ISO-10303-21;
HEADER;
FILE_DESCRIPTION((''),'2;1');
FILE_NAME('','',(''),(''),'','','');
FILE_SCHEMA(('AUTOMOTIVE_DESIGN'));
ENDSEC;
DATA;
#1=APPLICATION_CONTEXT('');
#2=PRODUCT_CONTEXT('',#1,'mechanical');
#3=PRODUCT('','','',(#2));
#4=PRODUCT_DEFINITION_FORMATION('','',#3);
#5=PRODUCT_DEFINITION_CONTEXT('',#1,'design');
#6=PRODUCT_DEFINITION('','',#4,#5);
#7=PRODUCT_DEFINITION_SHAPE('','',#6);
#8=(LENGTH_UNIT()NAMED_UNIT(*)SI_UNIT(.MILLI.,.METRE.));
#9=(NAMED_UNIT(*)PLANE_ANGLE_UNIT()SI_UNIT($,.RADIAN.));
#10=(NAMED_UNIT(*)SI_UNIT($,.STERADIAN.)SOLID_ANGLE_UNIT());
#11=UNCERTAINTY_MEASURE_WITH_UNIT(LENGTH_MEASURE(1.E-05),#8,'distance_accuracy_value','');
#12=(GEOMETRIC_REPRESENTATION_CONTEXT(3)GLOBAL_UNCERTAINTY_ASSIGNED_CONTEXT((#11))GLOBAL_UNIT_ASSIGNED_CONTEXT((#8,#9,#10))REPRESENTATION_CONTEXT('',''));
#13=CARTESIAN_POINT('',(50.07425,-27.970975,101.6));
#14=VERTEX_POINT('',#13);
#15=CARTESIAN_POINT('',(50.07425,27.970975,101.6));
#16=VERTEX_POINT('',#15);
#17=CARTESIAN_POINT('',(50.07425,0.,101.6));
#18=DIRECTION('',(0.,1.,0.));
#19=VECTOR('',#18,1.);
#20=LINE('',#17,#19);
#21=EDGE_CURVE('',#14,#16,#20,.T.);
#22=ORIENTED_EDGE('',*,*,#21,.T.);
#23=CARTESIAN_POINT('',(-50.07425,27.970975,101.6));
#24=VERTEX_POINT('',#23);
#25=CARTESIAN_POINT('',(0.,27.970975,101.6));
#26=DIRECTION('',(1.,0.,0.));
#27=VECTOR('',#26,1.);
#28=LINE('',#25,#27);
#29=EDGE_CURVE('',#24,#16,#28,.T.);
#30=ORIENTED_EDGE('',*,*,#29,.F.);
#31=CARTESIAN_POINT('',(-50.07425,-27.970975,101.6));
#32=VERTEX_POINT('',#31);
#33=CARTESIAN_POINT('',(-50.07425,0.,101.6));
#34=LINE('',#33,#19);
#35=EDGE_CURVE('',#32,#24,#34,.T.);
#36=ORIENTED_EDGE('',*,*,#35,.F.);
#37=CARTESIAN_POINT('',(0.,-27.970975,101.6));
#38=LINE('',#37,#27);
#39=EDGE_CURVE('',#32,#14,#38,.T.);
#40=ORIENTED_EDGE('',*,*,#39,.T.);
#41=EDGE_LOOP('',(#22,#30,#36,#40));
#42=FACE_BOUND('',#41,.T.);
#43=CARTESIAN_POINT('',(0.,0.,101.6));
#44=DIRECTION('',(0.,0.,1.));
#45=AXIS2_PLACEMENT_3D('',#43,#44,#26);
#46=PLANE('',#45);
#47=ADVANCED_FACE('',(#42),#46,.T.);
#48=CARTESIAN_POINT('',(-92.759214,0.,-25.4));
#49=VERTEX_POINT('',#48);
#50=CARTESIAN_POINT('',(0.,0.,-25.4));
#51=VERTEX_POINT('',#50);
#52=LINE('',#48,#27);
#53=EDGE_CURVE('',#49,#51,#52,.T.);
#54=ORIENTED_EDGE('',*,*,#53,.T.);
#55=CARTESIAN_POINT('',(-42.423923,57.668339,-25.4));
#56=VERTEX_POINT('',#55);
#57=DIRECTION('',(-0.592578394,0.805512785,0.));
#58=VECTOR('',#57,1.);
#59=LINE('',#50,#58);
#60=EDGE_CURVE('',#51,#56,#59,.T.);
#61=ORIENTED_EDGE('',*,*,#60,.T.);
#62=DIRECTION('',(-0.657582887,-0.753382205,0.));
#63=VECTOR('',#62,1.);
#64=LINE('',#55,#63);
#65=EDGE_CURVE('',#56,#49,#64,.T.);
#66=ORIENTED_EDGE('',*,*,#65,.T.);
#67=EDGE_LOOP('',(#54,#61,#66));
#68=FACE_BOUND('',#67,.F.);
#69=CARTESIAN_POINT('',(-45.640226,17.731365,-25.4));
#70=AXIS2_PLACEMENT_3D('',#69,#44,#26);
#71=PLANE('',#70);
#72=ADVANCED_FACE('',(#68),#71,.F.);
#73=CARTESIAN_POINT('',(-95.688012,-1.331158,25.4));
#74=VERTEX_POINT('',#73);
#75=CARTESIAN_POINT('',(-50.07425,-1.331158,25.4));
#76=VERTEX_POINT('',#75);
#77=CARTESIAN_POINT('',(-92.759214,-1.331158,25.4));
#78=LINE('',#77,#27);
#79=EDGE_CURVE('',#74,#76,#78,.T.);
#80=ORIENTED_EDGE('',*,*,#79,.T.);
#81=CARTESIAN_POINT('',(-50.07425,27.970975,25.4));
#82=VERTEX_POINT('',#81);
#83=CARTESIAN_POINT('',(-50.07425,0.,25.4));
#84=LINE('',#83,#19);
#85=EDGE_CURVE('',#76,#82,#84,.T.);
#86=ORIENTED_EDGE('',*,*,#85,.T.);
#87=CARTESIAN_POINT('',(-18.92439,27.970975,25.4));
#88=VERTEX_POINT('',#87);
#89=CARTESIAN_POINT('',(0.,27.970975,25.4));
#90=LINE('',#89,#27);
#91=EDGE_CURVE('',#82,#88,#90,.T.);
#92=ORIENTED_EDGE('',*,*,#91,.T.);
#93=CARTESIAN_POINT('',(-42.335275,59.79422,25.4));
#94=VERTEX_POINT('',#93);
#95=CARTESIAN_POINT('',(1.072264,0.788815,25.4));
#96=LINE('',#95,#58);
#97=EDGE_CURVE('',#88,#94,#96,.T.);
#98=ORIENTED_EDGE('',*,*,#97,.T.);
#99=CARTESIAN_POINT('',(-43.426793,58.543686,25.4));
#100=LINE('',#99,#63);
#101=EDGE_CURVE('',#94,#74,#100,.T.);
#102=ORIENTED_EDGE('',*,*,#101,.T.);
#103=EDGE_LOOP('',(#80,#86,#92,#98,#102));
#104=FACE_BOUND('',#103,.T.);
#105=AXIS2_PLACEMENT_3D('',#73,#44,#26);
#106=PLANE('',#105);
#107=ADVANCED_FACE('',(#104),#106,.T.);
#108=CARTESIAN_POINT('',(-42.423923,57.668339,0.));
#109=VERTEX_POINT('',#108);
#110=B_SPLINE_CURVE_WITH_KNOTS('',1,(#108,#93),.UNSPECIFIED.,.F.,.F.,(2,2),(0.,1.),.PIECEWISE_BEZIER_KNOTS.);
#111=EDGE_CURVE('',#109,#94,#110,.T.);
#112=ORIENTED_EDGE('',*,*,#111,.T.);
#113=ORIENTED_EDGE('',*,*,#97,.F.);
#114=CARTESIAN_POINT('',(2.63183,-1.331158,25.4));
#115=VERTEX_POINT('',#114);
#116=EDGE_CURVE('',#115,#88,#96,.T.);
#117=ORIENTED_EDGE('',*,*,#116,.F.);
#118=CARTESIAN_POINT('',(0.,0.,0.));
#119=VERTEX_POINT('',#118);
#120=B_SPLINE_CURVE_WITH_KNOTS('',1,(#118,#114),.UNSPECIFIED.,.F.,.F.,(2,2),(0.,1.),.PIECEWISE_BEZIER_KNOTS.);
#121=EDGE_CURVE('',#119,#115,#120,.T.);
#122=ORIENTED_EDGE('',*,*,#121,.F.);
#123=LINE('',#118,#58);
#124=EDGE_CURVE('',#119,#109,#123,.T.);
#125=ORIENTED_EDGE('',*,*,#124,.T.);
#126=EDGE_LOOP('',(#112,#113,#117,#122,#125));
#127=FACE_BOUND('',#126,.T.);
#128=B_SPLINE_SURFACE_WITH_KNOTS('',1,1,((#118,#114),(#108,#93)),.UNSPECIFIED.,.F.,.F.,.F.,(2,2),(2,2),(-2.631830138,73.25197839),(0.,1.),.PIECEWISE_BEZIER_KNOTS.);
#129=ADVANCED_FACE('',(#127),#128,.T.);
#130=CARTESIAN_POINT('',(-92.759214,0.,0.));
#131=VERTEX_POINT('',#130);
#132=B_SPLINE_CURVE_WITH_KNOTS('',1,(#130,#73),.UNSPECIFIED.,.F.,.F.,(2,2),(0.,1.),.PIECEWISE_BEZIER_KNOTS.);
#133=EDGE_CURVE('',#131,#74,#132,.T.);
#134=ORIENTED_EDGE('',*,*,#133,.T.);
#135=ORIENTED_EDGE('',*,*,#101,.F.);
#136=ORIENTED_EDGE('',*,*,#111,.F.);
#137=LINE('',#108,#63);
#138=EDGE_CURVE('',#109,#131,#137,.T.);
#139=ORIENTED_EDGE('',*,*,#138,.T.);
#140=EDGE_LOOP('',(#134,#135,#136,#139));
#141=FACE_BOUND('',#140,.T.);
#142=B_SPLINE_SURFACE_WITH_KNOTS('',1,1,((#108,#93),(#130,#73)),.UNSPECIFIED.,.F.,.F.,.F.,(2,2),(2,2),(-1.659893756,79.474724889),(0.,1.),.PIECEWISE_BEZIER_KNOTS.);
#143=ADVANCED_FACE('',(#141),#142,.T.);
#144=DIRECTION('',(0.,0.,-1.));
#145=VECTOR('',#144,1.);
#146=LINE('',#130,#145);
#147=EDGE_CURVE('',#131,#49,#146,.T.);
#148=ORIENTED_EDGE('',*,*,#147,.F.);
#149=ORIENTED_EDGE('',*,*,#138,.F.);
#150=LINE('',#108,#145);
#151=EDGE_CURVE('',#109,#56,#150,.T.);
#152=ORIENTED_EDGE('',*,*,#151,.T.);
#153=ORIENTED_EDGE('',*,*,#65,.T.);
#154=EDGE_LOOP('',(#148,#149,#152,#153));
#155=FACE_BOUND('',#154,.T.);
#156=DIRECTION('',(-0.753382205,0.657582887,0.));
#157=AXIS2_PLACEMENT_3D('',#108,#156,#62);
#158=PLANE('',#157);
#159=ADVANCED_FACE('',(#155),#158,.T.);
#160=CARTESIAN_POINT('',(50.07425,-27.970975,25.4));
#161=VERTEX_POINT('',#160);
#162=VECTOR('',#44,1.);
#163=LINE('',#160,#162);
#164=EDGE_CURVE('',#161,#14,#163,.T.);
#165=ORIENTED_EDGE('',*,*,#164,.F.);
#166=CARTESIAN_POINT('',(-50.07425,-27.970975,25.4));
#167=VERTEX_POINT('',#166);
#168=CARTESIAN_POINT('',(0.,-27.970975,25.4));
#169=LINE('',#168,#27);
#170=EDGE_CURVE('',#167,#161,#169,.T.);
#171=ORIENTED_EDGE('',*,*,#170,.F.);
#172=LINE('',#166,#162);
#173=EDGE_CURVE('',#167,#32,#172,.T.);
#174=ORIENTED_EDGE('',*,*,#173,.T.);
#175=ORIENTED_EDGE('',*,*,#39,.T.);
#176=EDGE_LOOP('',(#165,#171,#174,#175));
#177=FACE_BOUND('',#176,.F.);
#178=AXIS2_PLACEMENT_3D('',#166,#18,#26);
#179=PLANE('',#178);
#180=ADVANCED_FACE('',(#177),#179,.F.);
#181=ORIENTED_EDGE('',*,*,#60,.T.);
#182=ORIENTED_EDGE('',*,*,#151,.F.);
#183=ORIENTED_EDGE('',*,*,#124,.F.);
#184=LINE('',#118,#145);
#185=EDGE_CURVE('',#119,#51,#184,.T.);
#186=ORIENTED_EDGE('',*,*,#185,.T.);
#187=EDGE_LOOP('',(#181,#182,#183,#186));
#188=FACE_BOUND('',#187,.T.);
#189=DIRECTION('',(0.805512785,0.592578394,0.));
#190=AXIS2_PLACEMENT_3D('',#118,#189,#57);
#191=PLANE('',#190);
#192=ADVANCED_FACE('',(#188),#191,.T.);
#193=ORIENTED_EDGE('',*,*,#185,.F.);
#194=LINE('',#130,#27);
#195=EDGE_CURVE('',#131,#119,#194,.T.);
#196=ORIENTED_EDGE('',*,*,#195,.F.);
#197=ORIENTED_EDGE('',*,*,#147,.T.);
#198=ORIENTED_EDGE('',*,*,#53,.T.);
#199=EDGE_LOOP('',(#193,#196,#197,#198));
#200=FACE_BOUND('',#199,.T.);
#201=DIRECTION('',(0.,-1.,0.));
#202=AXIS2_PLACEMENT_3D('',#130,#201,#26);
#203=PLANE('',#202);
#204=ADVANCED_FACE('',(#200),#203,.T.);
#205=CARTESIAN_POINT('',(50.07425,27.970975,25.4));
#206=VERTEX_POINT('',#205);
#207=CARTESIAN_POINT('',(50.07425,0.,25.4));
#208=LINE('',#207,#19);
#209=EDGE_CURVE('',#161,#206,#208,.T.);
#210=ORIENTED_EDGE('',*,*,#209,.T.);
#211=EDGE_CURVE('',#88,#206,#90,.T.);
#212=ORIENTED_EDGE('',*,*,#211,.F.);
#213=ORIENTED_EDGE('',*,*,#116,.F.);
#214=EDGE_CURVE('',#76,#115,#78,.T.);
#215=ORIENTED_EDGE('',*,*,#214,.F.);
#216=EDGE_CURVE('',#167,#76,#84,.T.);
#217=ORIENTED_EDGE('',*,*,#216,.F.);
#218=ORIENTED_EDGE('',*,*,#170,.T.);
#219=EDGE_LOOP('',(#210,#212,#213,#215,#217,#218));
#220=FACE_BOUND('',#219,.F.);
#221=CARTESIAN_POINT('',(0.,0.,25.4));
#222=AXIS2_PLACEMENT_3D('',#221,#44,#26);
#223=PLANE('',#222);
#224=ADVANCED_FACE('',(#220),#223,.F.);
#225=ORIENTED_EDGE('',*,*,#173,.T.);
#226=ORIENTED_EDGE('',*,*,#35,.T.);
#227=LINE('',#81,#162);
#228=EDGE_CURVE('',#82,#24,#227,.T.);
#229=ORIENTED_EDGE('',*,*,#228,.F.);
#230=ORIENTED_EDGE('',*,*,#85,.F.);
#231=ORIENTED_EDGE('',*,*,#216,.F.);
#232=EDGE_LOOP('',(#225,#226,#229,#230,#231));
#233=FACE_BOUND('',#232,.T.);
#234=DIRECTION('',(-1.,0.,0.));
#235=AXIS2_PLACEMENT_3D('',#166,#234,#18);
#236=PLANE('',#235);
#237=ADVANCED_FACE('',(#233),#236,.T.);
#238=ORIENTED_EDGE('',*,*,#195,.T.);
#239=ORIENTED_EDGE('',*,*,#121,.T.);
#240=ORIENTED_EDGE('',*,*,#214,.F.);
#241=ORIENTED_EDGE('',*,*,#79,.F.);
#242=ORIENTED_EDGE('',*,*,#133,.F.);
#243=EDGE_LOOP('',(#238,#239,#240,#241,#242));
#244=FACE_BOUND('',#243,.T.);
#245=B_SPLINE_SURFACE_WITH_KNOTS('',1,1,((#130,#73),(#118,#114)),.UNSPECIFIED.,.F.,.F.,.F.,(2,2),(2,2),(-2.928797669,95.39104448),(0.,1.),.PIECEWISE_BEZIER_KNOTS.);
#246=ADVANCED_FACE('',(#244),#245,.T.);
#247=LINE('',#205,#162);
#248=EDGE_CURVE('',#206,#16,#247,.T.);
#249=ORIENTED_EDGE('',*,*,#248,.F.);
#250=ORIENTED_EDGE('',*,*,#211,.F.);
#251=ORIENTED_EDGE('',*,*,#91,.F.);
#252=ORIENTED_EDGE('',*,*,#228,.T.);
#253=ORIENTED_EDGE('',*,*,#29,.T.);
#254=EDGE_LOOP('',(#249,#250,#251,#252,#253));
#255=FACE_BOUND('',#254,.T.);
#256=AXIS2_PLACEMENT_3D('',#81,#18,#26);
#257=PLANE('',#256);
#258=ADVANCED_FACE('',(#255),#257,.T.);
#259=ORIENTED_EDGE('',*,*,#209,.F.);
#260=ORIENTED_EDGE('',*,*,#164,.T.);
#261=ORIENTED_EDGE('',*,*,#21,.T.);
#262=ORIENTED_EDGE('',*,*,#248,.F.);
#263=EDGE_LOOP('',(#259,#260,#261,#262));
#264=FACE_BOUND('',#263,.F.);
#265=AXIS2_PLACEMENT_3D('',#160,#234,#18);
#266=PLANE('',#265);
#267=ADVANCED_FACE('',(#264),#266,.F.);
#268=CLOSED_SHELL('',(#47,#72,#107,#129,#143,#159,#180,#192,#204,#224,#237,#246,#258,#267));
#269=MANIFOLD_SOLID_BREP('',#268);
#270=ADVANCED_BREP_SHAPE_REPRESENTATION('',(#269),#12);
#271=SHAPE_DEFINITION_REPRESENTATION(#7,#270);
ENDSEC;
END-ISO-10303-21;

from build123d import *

# Parameters (mm, degrees)
F1_DEPTH      = 25.4
F1_TAPER      = -3
F1_DEPTH_BACK = 25.4
F2_W          = 100.148499012
F2_H          = 55.9419505298
F3_DEPTH      = 76.2


with BuildPart() as f1:
    # F0 (on Top) → F1 (new body, two sides)
    with BuildSketch(Plane.XY) as f1_sk:
        Polygon((-92.7592143416, 0), (0, 0), (-42.4239225686, 57.6683394611), align=None)
    extrude(amount=F1_DEPTH, taper=F1_TAPER)
    extrude(f1_sk.sketch, amount=-F1_DEPTH_BACK)

    # F2 (on face) → F3 (join)
    with BuildSketch(Plane.XY.offset(25.4)):
        Rectangle(F2_W, F2_H)
    extrude(amount=F3_DEPTH)


solid = f1.part
